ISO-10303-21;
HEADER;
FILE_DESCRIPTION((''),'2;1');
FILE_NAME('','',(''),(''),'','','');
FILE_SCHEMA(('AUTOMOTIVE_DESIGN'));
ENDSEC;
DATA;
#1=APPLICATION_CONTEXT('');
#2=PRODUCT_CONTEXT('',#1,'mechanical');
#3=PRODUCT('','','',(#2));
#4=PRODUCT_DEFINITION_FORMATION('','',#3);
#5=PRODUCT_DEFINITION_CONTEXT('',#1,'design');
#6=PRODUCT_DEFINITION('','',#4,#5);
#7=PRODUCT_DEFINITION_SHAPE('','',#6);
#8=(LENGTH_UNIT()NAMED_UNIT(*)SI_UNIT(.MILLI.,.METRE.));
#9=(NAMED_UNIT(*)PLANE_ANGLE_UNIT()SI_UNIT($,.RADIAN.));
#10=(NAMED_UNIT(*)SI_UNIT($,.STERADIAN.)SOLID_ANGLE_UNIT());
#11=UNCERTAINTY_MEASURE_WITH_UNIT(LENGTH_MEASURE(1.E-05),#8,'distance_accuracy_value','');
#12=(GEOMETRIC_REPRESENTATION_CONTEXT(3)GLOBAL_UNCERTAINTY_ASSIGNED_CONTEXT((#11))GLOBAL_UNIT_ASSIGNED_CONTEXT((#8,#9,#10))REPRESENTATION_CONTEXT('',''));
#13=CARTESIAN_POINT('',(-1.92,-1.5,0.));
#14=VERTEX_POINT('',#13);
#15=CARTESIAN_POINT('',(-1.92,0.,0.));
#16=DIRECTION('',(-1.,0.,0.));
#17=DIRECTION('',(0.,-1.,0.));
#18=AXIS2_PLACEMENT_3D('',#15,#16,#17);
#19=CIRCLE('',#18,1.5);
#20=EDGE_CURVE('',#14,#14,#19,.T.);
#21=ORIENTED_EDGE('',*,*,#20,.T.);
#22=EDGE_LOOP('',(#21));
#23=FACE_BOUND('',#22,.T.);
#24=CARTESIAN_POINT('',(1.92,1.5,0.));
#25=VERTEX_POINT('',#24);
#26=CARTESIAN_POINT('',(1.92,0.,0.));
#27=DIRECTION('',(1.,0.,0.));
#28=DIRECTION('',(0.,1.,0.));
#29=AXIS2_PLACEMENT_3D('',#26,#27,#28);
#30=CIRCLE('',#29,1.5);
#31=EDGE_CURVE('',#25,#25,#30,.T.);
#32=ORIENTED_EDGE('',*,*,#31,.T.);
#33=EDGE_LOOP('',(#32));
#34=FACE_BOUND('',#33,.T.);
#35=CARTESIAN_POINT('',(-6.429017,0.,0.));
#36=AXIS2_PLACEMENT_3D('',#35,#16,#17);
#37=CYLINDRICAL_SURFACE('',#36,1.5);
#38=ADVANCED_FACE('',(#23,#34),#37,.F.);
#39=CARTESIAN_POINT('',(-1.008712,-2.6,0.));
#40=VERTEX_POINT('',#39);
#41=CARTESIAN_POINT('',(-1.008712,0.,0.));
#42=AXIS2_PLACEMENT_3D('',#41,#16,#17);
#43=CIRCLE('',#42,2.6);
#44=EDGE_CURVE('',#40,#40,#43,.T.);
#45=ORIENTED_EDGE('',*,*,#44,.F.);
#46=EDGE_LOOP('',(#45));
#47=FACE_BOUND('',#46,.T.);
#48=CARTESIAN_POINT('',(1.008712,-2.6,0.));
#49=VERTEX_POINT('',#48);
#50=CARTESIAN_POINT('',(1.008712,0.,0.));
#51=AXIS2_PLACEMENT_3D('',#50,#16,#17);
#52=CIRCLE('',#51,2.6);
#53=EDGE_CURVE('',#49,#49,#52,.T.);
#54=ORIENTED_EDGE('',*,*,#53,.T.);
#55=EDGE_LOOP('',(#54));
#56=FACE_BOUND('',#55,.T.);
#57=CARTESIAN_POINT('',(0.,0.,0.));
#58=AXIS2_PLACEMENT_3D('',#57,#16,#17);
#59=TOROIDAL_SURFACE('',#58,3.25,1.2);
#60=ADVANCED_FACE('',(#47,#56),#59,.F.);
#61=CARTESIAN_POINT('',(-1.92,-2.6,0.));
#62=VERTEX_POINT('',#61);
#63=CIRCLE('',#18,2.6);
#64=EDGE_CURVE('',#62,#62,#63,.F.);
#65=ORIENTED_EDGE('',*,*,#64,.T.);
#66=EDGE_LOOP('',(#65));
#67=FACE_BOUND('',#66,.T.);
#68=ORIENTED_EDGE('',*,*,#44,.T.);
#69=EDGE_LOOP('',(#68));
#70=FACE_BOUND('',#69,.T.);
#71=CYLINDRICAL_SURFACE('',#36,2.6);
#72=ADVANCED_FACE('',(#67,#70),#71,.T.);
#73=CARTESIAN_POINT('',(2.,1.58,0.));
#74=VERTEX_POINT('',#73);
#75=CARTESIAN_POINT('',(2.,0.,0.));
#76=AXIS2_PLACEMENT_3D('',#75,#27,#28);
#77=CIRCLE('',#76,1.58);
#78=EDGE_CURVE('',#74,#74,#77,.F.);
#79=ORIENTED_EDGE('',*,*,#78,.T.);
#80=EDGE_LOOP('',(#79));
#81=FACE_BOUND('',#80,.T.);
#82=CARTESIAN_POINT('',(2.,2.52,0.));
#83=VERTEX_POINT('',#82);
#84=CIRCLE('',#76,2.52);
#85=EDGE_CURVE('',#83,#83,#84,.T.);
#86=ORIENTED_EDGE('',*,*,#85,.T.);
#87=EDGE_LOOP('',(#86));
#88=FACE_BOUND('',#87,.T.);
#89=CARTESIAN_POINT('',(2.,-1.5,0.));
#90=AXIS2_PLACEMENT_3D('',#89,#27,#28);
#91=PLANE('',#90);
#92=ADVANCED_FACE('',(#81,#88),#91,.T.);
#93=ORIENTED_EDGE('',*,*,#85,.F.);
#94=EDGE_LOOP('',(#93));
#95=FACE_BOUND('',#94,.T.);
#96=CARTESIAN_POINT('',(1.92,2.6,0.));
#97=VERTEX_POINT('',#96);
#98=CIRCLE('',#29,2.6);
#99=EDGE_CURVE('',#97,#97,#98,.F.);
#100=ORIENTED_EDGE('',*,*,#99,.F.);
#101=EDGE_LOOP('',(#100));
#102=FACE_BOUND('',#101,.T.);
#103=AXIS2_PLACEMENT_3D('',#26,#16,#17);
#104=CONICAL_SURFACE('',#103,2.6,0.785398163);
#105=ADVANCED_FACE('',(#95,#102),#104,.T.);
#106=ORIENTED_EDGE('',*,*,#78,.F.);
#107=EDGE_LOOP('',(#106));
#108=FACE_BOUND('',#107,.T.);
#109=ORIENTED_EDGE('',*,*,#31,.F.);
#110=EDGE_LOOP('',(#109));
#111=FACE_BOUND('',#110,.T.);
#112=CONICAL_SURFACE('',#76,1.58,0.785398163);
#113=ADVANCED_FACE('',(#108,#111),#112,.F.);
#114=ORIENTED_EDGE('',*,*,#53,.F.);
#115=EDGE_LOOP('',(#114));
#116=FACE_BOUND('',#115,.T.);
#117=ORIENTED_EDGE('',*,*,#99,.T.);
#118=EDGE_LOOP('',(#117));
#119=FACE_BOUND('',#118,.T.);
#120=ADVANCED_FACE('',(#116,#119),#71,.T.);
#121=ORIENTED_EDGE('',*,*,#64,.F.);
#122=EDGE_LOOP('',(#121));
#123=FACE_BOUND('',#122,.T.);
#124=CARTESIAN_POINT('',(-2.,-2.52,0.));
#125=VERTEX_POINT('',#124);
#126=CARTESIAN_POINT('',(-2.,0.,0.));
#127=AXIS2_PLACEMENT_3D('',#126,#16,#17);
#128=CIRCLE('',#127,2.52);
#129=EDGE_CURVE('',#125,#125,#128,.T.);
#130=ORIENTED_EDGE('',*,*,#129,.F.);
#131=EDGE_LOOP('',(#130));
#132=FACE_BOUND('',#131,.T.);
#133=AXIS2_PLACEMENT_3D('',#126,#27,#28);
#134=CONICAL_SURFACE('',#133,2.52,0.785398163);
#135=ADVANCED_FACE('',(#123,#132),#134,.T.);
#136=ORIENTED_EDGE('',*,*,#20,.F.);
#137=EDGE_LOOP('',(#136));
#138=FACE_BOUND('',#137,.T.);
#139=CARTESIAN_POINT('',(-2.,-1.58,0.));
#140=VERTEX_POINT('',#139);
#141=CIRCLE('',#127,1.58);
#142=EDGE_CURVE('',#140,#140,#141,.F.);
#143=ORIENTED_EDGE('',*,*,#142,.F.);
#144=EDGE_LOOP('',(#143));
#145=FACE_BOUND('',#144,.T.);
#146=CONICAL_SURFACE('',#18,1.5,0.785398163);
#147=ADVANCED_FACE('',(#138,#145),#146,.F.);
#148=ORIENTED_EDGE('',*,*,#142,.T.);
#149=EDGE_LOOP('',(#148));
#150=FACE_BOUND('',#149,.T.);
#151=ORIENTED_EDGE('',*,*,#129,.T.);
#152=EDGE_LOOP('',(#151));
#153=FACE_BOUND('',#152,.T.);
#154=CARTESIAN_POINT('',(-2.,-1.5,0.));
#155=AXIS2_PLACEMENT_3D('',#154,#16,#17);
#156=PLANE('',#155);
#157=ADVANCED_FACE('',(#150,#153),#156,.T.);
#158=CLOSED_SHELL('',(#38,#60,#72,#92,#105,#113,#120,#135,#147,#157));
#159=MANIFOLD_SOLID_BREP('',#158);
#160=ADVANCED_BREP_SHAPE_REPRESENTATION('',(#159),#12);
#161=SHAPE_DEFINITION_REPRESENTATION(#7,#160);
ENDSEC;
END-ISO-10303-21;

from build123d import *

# Parameters (mm, degrees)
CHAMFER1_SIZE = 0.08


with BuildPart() as part:
    # Sketch1 → Revolve1 (revolve)
    with BuildSketch(Plane.XY):
        with BuildLine():
            Line((-2, -1.5), (-2, -2.6))
            Line((-2, -2.6), (-1.00871205, -2.6))
            ThreePointArc((-1.00871205, -2.6), (0, -2.05), (1.00871205, -2.6))
            Line((1.00871205, -2.6), (2, -2.6))
            Line((2, -2.6), (2, -1.5))
            Line((2, -1.5), (-2, -1.5))
        make_face()
    revolve(axis=Axis((-6.429017492, 0, 0), (1, 0, 0)))

    # Chamfer1
    chamfer1_edges = [part.edges().sort_by_distance(p)[0] for p in [
        (-2, 1.5, 0),
        (-2, 2.6, 0),
        (2, 2.6, 0),
        (2, 1.5, 0),
    ]]
    chamfer(chamfer1_edges, length=CHAMFER1_SIZE)


solid = part.part
